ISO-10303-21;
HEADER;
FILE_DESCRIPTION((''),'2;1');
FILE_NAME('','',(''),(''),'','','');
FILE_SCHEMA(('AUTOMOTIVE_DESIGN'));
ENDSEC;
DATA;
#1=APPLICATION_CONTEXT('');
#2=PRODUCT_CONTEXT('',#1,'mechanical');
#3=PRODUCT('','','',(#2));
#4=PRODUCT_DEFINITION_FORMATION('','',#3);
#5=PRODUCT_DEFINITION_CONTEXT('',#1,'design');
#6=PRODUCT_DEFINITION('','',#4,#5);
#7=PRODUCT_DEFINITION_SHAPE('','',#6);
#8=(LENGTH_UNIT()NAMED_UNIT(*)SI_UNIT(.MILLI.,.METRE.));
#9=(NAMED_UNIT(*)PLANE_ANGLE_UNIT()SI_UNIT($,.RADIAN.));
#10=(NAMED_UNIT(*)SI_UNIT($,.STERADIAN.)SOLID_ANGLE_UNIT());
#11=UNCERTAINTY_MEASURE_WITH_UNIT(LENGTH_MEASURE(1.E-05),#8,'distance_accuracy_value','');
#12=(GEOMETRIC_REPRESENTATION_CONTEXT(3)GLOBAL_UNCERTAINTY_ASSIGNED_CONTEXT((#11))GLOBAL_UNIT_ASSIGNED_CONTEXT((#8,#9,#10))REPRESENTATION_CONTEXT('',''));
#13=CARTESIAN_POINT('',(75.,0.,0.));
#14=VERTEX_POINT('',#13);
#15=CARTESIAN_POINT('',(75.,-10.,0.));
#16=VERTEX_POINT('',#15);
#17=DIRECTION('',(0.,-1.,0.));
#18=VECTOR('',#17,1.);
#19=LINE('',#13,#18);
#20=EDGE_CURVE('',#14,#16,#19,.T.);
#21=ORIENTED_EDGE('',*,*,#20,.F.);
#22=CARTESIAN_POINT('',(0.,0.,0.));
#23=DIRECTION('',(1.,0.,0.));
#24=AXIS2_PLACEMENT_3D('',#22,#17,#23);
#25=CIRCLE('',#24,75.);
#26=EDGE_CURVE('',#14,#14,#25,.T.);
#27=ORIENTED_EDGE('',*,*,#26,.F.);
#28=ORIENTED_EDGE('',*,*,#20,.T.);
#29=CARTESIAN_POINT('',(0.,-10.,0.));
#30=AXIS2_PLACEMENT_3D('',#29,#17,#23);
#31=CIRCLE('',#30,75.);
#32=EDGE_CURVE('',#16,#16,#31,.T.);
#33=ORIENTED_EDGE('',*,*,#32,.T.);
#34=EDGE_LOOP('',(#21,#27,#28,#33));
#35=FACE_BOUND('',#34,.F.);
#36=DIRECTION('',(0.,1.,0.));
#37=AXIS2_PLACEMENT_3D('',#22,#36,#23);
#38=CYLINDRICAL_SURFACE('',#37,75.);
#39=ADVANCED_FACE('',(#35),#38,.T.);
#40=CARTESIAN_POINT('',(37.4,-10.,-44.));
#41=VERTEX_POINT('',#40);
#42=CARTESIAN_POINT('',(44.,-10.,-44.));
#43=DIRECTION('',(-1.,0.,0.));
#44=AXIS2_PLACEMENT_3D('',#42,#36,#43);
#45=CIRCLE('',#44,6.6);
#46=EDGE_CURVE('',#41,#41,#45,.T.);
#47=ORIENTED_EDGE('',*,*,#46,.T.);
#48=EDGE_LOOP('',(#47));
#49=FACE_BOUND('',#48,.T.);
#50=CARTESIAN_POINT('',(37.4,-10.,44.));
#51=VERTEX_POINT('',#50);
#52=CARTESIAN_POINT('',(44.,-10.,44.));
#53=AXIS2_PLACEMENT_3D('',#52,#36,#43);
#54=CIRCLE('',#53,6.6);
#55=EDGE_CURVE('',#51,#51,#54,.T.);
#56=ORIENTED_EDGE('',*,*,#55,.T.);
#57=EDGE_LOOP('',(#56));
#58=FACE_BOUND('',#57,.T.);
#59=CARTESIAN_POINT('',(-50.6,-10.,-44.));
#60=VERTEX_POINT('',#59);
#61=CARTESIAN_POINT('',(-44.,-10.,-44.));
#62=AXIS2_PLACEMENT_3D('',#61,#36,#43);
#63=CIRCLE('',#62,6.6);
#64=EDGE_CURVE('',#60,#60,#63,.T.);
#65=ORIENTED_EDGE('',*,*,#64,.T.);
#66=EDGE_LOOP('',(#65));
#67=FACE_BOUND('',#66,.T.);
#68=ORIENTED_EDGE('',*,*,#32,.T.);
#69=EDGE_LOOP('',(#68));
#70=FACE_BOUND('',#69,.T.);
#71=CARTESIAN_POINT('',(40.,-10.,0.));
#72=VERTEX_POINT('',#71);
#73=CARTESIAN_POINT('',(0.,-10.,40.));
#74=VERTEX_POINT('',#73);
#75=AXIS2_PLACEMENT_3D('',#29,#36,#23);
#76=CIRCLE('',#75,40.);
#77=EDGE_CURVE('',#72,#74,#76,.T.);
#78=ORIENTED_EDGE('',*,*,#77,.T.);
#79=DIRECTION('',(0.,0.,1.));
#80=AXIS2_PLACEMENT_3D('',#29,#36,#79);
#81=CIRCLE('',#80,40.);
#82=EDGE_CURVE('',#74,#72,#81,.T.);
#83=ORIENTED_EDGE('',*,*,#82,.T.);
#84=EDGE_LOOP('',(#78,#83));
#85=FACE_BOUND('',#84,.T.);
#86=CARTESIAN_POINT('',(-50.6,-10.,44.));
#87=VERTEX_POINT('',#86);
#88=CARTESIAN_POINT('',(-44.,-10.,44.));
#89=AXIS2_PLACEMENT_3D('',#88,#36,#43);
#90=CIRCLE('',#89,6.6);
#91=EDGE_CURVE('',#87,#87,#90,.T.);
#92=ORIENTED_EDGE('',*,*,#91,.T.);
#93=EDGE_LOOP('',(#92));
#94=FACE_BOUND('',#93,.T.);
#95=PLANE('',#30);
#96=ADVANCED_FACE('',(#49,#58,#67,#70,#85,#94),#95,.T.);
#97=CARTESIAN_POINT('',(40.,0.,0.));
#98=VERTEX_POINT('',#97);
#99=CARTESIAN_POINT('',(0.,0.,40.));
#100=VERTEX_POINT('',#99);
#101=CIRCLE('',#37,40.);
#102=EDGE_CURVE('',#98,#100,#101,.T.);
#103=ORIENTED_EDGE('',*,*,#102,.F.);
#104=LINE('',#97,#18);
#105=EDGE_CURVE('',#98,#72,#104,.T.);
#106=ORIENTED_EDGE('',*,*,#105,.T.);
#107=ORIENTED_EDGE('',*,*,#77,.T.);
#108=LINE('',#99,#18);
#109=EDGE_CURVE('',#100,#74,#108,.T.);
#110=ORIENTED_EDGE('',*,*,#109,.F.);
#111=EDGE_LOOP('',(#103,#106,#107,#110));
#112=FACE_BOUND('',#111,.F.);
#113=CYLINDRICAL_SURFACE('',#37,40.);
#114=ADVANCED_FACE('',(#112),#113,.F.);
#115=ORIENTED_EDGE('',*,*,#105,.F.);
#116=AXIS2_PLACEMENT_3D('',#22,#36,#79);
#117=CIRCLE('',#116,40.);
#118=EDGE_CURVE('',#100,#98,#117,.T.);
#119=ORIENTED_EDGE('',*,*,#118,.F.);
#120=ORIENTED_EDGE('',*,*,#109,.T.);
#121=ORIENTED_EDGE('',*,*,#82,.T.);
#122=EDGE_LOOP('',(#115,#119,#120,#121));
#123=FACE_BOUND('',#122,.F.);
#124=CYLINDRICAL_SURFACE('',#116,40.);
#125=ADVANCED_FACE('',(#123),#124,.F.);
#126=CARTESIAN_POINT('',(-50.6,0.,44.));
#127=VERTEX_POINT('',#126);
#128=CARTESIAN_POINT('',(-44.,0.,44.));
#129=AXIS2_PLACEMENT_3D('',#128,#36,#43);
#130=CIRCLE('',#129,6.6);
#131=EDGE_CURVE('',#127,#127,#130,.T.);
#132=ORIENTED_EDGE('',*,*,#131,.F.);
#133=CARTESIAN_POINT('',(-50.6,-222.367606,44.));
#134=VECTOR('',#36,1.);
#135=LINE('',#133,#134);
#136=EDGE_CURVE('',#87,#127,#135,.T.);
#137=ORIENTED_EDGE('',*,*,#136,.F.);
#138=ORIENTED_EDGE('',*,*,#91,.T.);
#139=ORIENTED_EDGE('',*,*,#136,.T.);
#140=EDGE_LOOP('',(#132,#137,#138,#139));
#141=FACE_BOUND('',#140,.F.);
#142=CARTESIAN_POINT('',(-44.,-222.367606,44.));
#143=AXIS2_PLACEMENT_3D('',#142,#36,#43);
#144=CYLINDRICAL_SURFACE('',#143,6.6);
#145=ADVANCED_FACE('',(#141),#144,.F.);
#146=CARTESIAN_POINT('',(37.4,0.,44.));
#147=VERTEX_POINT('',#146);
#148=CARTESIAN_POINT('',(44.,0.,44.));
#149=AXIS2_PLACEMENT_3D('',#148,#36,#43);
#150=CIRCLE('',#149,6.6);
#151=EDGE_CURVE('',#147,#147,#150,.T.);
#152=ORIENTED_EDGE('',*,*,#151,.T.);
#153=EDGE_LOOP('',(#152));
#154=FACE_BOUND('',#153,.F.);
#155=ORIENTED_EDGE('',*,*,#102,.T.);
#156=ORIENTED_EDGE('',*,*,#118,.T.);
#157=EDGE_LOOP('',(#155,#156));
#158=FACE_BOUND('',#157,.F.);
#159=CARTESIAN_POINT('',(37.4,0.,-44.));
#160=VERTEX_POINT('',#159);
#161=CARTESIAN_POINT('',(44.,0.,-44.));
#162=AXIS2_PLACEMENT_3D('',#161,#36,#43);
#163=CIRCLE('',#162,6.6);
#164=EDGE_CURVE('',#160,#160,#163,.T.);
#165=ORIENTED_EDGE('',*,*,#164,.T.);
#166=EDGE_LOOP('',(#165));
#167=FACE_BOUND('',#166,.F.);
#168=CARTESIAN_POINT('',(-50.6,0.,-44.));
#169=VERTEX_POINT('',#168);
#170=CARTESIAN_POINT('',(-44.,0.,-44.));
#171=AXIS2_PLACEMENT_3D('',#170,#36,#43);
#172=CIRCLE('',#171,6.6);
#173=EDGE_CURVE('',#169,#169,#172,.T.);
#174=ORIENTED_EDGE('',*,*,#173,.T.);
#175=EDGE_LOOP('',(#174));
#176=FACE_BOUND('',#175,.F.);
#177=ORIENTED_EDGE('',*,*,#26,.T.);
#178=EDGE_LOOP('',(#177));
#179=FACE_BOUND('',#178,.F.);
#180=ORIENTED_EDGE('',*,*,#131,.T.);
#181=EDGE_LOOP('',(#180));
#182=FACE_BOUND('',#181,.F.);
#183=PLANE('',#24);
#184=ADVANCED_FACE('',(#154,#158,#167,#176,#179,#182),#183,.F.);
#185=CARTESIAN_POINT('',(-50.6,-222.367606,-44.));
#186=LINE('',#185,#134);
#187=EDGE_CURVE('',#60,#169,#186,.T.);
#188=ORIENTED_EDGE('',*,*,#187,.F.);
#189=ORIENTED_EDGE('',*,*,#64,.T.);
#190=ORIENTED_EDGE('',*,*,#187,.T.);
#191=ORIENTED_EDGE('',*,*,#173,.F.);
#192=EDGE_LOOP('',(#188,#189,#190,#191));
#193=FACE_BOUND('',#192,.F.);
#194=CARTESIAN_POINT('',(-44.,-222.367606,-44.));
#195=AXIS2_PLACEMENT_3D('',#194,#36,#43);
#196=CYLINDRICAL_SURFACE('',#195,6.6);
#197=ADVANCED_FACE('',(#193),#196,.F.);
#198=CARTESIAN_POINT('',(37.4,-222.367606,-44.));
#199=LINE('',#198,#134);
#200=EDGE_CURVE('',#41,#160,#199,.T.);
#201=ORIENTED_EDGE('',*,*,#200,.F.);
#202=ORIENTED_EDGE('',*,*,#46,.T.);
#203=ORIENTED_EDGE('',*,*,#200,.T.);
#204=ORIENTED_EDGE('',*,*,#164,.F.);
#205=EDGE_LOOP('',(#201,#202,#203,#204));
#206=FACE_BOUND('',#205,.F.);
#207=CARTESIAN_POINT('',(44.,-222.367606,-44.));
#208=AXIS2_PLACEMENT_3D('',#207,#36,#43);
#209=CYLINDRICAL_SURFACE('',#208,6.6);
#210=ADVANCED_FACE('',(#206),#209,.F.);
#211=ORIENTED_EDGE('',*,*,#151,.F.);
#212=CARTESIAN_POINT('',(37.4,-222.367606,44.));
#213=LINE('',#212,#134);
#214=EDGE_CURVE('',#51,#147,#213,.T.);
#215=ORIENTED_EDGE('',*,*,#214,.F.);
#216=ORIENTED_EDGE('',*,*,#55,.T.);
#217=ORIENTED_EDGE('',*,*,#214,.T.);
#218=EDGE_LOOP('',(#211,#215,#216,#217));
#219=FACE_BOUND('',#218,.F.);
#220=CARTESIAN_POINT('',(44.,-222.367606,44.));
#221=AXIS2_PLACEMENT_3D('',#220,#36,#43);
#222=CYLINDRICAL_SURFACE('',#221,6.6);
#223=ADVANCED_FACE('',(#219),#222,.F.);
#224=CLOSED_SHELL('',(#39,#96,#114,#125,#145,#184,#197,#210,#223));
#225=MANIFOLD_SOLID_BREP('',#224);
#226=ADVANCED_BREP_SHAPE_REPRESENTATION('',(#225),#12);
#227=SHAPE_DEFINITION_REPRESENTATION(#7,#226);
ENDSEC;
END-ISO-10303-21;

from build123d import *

# Parameters (mm, degrees)
F0_R     = 75
F1_DEPTH = 10
F3_D     = 13.2


with BuildPart() as f1:
    # F0 (on Front) → F1 (new body)
    with BuildSketch(Plane.XZ):
        Circle(F0_R)
        with BuildLine():
            ThreePointArc((0, 40), (28.2842712475, 28.2842712475), (40, 0))
            ThreePointArc((40, 0), (-28.2842712475, -28.2842712475), (0, 40))
        make_face(mode=Mode.SUBTRACT)
    extrude(amount=F1_DEPTH)

    # F3 (through all)
    with Locations(Plane.XZ.offset(10)):
        with Locations((-44, 44), (-44, -44), (44, -44), (44, 44)):
            Hole(F3_D / 2)


solid = f1.part
